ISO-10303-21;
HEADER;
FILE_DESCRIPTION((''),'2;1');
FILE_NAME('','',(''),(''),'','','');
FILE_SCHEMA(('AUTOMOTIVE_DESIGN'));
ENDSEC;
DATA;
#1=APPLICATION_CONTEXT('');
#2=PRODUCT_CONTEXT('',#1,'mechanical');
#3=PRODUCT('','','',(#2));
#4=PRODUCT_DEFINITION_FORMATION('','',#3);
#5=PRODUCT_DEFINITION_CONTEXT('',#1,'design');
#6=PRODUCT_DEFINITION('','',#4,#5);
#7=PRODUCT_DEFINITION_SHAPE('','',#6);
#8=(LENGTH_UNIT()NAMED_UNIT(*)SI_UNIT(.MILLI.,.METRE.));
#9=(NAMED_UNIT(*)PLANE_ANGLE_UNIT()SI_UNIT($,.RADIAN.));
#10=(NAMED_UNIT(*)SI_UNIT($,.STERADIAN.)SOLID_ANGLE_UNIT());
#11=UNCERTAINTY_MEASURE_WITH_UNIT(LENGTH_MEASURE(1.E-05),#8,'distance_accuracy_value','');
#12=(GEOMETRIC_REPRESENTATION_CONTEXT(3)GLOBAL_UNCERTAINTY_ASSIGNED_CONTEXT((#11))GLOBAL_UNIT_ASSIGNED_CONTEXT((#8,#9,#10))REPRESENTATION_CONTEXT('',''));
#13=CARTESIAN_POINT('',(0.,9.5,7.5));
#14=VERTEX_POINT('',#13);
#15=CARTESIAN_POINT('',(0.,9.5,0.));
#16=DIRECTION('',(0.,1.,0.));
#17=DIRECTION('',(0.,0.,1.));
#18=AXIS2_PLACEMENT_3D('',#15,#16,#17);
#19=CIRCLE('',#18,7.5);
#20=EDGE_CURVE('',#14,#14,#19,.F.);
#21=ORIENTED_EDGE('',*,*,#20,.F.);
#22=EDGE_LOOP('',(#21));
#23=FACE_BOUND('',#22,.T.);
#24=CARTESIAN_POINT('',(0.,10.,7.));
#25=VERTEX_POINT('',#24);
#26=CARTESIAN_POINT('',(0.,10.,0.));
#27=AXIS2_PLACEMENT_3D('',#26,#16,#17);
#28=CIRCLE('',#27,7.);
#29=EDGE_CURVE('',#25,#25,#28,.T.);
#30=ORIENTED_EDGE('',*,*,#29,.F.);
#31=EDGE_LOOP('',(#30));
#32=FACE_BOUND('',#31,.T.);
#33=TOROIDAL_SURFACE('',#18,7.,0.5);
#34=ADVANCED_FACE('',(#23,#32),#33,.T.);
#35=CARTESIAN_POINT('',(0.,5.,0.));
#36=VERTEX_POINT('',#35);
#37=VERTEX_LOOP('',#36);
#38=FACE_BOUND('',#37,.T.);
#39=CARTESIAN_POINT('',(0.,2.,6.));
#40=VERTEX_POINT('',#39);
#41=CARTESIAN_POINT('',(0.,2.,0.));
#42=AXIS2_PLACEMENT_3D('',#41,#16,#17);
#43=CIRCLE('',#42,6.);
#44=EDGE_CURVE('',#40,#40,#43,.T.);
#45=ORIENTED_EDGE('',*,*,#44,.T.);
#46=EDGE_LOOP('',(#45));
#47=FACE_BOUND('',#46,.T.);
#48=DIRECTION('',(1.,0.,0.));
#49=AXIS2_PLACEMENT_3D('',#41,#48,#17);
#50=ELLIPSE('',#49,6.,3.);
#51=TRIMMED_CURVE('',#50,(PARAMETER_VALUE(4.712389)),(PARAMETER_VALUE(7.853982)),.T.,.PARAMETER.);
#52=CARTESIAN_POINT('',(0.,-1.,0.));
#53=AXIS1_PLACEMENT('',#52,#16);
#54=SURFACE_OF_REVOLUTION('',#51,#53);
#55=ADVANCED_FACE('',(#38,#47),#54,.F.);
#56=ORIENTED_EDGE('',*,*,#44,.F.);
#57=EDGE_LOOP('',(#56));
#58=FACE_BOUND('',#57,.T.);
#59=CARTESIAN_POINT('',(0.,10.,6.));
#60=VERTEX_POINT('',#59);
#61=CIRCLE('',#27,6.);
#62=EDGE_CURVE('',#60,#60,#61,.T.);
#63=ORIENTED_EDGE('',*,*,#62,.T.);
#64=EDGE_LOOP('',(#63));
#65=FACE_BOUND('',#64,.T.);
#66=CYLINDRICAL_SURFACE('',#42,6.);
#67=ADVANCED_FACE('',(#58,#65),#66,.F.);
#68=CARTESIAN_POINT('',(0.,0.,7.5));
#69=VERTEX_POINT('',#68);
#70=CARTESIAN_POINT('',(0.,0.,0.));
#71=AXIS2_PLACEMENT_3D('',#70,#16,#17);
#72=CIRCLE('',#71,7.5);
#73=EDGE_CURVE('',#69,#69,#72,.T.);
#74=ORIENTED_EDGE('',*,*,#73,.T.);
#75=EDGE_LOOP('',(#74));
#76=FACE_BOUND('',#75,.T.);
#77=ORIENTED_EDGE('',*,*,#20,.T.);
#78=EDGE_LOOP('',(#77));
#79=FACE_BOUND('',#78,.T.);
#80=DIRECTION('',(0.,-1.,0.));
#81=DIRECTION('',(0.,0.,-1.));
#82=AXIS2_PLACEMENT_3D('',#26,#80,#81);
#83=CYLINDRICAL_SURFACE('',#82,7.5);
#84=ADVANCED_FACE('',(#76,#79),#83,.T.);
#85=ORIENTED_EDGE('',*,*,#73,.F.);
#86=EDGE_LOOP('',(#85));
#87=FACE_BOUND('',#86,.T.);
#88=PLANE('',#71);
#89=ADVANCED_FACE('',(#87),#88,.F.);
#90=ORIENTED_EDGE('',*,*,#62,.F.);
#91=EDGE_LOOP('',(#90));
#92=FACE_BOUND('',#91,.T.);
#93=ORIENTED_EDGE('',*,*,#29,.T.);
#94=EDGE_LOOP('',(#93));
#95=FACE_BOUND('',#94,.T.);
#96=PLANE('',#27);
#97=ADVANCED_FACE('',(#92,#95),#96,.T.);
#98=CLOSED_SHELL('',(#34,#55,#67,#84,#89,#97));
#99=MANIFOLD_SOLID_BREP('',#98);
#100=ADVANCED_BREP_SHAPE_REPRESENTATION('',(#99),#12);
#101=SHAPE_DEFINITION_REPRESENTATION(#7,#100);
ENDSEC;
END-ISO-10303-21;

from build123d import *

# Parameters (mm, degrees)
SKETCH2_R           = 7.5
BOSS_EXTRUDE1_DEPTH = 10
SKETCH3_R           = 6
CUT_EXTRUDE1_DEPTH  = 8
DOME1_FACE_RADIUS   = 6
DOME1_HEIGHT        = 3
FILLET1_R           = 0.5


with BuildPart() as part:
    # Sketch2 → Boss-Extrude1 (new body)
    with BuildSketch(Plane(origin=(0, 0, 0), x_dir=(1, 0, 0), z_dir=(0, 1, 0))):
        Circle(SKETCH2_R)
    extrude(amount=BOSS_EXTRUDE1_DEPTH)

    # Sketch3 → Cut-Extrude1 (cut)
    with BuildSketch(Plane(origin=(0, 10, 0), x_dir=(1, 0, 0), z_dir=(0, 1, 0))):
        Circle(SKETCH3_R)
    extrude(amount=-CUT_EXTRUDE1_DEPTH, mode=Mode.SUBTRACT)

    # Dome1: an elliptical dome of height H over a round flat face of radius A is half a spheroid: the quarter ellipse of half axes A and H revolved about the face's axis
    with BuildSketch(Plane((0, 2, 0), x_dir=(0, 0, -1), z_dir=(1, 0, 0)), mode=Mode.PRIVATE) as dome1_quarter:
        Ellipse(DOME1_FACE_RADIUS, DOME1_HEIGHT)
        Rectangle(DOME1_FACE_RADIUS, DOME1_HEIGHT, align=(Align.MIN, Align.MIN), mode=Mode.INTERSECT)
    revolve(dome1_quarter.sketch, axis=Axis((0, 2, 0), (0, 1, 0)))

    # Fillet1
    fillet1_edges = [part.edges().sort_by_distance(p)[0] for p in [
        (-7.5, 10, 0),
    ]]
    fillet(fillet1_edges, radius=FILLET1_R)


solid = part.part
